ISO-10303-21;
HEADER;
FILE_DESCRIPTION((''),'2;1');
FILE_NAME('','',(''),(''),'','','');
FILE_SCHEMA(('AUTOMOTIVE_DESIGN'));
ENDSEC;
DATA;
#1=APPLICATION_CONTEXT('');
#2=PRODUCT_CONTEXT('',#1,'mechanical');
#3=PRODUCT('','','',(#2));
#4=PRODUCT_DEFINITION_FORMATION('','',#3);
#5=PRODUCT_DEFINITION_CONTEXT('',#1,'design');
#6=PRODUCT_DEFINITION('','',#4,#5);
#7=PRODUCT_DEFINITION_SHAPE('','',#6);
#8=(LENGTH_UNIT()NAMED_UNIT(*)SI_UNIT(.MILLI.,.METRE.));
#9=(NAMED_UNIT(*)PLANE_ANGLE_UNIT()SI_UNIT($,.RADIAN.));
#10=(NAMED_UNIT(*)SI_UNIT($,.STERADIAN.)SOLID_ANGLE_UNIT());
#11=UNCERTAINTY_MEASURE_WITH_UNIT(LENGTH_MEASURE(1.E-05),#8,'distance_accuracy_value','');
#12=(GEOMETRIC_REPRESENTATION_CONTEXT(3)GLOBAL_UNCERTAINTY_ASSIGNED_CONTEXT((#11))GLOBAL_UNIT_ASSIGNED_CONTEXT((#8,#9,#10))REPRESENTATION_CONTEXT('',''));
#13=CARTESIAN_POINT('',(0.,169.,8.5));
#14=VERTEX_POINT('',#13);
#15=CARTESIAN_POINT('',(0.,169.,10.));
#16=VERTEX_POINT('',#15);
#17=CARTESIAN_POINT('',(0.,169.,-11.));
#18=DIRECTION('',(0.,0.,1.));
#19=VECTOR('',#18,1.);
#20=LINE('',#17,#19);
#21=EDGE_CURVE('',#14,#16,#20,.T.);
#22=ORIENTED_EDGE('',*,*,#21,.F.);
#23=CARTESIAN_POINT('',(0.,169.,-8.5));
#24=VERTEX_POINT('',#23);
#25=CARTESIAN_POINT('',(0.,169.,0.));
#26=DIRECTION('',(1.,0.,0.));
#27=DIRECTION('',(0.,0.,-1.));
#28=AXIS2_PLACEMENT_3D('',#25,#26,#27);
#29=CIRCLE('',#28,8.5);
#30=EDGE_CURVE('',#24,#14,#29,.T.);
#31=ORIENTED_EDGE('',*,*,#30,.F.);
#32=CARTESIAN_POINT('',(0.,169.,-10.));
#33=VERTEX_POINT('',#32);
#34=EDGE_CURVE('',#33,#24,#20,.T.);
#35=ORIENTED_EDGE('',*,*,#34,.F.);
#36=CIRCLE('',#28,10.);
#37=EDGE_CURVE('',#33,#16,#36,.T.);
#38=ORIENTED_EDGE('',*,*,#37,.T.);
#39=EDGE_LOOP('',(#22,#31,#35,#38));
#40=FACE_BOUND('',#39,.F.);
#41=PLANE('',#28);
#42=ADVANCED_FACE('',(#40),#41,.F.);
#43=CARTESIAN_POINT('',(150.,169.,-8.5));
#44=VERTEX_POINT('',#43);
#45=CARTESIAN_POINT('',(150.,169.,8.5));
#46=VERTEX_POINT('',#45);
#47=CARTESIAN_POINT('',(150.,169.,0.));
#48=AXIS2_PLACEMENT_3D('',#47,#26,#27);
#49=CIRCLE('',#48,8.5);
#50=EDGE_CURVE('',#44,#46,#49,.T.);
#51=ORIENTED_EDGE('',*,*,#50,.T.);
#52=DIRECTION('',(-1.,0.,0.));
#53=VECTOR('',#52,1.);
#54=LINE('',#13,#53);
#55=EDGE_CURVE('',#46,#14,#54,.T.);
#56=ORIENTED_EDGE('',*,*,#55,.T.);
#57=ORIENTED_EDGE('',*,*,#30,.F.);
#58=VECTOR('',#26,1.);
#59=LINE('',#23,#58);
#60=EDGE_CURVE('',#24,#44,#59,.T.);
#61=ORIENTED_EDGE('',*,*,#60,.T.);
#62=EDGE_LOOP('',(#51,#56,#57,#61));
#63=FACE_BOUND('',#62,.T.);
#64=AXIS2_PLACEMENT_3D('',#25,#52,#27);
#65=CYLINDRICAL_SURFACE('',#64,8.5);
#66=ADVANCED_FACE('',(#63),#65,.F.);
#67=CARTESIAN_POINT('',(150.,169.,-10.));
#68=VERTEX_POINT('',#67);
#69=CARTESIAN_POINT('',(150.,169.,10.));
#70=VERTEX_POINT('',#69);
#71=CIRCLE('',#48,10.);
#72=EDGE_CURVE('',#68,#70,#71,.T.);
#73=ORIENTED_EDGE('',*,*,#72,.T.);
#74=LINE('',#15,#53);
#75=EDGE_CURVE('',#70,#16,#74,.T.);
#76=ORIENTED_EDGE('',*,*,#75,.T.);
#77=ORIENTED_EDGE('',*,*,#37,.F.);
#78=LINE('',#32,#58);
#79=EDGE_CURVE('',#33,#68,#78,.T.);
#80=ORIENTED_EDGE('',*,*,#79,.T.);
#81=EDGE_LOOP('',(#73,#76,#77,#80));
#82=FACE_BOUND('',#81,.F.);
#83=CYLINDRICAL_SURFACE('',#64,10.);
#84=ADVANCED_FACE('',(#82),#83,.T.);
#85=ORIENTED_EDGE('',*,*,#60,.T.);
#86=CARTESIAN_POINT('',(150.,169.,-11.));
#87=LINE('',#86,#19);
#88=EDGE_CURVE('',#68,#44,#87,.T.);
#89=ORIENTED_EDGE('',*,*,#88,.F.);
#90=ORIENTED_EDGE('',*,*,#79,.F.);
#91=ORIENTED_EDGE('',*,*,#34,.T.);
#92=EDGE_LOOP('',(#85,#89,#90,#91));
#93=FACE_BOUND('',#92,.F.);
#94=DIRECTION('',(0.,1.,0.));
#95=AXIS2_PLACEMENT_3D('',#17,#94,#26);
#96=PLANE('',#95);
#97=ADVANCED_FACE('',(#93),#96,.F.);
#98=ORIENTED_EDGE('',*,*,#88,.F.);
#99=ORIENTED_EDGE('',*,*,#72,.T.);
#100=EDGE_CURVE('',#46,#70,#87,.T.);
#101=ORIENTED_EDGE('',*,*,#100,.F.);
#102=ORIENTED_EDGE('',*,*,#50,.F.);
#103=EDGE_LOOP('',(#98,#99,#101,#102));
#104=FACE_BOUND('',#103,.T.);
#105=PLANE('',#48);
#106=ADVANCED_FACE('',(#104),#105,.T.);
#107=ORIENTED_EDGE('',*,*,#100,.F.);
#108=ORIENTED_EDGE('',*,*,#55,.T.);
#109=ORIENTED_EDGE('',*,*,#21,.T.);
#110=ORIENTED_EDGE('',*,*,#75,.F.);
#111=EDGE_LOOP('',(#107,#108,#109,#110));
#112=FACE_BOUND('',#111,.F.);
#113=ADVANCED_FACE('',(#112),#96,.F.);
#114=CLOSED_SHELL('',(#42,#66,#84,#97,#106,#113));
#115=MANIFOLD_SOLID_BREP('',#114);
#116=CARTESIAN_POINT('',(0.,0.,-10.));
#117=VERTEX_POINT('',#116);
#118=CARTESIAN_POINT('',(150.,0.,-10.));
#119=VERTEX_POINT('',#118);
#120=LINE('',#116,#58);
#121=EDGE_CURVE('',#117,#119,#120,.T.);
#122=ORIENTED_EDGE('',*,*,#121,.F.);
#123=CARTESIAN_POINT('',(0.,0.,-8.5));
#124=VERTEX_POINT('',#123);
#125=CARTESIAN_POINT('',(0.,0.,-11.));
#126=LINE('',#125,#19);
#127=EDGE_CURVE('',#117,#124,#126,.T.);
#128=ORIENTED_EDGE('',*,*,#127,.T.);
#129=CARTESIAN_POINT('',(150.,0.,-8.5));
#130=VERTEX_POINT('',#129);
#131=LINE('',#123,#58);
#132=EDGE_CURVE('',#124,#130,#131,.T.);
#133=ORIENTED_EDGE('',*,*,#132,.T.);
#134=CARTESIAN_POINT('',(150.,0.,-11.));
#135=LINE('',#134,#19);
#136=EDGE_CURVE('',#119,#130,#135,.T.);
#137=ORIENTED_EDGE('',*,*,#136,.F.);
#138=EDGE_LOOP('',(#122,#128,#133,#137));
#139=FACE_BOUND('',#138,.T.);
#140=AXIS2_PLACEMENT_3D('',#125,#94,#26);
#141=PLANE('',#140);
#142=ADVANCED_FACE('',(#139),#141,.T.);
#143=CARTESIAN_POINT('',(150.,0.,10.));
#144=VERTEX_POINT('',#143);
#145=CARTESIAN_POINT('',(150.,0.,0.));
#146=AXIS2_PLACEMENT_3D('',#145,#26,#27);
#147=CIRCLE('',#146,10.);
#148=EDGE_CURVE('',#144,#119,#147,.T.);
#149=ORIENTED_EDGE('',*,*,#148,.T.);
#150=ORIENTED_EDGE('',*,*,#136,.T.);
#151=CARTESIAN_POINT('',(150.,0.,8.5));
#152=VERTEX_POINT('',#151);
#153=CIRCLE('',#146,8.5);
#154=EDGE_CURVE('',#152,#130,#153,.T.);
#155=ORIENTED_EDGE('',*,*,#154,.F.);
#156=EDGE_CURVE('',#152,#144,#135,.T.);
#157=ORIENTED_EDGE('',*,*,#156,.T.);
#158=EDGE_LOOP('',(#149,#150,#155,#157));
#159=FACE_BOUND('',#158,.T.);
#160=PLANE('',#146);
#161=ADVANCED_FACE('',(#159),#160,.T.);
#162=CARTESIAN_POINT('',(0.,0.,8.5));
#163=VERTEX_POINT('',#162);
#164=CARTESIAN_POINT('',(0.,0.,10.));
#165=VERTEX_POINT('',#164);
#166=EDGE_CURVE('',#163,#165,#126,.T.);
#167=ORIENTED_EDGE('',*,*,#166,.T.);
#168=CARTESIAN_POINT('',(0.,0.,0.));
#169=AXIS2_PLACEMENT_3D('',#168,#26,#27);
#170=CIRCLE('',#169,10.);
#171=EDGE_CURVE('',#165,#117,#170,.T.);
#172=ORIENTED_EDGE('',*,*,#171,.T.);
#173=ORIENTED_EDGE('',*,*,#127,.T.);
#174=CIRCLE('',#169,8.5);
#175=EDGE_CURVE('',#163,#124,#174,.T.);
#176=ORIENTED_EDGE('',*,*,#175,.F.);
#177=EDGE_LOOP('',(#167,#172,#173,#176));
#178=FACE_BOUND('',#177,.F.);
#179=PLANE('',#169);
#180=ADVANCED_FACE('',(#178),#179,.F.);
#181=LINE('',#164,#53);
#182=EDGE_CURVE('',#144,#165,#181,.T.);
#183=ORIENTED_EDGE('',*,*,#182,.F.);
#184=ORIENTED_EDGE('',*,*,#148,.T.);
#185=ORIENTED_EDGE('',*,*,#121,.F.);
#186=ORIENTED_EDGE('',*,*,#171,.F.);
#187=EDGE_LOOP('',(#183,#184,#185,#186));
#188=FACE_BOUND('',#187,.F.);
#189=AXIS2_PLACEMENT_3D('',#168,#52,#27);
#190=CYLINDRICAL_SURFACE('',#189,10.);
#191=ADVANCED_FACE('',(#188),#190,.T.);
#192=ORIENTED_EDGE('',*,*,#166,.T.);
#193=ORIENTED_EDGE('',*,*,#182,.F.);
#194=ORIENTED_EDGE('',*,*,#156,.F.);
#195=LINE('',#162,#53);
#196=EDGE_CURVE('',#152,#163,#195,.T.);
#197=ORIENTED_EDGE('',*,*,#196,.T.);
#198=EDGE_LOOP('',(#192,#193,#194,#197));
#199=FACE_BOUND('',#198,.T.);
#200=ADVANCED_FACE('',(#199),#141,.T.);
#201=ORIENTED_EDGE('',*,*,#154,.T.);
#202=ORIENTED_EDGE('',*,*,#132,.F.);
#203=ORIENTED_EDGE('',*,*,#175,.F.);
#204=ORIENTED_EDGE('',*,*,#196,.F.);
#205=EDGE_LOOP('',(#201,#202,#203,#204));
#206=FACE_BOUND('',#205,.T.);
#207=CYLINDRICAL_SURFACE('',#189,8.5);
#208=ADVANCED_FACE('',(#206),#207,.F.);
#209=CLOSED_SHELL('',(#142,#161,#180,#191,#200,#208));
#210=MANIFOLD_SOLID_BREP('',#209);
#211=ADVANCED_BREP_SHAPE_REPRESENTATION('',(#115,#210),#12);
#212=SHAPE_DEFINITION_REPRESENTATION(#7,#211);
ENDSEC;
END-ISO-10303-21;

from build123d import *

# Parameters (mm, degrees)
BOX003_W      = 150
BOX003_H      = 169
BOX003_DEPTH  = 22
TUBE001_R     = 10
TUBE001_R_2   = 8.5
TUBE001_DEPTH = 150
TUBE_R        = 10
TUBE_R_2      = 8.5
TUBE_DEPTH    = 150


with BuildPart() as cube:
    # Box003 → Box003 (new body)
    with BuildSketch(Plane.XY.offset(-11)):
        with Locations((75, 84.5)):
            Rectangle(BOX003_W, BOX003_H)
    extrude(amount=BOX003_DEPTH)


with BuildPart() as rightcurve:
    # Tube001 → Tube001 (new body)
    with BuildSketch(Plane(origin=(0, 169, 0), x_dir=(0, 0, -1), z_dir=(1, 0, 0))):
        Circle(TUBE001_R)
        Circle(TUBE001_R_2, mode=Mode.SUBTRACT)
    extrude(amount=TUBE001_DEPTH)


with BuildPart() as cut:
    # Tube → Tube (new body)
    with BuildSketch(Plane(origin=(0, 0, 0), x_dir=(0, 0, -1), z_dir=(1, 0, 0))):
        Circle(TUBE_R)
        Circle(TUBE_R_2, mode=Mode.SUBTRACT)
    extrude(amount=TUBE_DEPTH)

    # Fusion002: union RightCurve
    add(rightcurve.part)

    # Cut: cut Cube
    add(cube.part, mode=Mode.SUBTRACT)


solid = cut.part
